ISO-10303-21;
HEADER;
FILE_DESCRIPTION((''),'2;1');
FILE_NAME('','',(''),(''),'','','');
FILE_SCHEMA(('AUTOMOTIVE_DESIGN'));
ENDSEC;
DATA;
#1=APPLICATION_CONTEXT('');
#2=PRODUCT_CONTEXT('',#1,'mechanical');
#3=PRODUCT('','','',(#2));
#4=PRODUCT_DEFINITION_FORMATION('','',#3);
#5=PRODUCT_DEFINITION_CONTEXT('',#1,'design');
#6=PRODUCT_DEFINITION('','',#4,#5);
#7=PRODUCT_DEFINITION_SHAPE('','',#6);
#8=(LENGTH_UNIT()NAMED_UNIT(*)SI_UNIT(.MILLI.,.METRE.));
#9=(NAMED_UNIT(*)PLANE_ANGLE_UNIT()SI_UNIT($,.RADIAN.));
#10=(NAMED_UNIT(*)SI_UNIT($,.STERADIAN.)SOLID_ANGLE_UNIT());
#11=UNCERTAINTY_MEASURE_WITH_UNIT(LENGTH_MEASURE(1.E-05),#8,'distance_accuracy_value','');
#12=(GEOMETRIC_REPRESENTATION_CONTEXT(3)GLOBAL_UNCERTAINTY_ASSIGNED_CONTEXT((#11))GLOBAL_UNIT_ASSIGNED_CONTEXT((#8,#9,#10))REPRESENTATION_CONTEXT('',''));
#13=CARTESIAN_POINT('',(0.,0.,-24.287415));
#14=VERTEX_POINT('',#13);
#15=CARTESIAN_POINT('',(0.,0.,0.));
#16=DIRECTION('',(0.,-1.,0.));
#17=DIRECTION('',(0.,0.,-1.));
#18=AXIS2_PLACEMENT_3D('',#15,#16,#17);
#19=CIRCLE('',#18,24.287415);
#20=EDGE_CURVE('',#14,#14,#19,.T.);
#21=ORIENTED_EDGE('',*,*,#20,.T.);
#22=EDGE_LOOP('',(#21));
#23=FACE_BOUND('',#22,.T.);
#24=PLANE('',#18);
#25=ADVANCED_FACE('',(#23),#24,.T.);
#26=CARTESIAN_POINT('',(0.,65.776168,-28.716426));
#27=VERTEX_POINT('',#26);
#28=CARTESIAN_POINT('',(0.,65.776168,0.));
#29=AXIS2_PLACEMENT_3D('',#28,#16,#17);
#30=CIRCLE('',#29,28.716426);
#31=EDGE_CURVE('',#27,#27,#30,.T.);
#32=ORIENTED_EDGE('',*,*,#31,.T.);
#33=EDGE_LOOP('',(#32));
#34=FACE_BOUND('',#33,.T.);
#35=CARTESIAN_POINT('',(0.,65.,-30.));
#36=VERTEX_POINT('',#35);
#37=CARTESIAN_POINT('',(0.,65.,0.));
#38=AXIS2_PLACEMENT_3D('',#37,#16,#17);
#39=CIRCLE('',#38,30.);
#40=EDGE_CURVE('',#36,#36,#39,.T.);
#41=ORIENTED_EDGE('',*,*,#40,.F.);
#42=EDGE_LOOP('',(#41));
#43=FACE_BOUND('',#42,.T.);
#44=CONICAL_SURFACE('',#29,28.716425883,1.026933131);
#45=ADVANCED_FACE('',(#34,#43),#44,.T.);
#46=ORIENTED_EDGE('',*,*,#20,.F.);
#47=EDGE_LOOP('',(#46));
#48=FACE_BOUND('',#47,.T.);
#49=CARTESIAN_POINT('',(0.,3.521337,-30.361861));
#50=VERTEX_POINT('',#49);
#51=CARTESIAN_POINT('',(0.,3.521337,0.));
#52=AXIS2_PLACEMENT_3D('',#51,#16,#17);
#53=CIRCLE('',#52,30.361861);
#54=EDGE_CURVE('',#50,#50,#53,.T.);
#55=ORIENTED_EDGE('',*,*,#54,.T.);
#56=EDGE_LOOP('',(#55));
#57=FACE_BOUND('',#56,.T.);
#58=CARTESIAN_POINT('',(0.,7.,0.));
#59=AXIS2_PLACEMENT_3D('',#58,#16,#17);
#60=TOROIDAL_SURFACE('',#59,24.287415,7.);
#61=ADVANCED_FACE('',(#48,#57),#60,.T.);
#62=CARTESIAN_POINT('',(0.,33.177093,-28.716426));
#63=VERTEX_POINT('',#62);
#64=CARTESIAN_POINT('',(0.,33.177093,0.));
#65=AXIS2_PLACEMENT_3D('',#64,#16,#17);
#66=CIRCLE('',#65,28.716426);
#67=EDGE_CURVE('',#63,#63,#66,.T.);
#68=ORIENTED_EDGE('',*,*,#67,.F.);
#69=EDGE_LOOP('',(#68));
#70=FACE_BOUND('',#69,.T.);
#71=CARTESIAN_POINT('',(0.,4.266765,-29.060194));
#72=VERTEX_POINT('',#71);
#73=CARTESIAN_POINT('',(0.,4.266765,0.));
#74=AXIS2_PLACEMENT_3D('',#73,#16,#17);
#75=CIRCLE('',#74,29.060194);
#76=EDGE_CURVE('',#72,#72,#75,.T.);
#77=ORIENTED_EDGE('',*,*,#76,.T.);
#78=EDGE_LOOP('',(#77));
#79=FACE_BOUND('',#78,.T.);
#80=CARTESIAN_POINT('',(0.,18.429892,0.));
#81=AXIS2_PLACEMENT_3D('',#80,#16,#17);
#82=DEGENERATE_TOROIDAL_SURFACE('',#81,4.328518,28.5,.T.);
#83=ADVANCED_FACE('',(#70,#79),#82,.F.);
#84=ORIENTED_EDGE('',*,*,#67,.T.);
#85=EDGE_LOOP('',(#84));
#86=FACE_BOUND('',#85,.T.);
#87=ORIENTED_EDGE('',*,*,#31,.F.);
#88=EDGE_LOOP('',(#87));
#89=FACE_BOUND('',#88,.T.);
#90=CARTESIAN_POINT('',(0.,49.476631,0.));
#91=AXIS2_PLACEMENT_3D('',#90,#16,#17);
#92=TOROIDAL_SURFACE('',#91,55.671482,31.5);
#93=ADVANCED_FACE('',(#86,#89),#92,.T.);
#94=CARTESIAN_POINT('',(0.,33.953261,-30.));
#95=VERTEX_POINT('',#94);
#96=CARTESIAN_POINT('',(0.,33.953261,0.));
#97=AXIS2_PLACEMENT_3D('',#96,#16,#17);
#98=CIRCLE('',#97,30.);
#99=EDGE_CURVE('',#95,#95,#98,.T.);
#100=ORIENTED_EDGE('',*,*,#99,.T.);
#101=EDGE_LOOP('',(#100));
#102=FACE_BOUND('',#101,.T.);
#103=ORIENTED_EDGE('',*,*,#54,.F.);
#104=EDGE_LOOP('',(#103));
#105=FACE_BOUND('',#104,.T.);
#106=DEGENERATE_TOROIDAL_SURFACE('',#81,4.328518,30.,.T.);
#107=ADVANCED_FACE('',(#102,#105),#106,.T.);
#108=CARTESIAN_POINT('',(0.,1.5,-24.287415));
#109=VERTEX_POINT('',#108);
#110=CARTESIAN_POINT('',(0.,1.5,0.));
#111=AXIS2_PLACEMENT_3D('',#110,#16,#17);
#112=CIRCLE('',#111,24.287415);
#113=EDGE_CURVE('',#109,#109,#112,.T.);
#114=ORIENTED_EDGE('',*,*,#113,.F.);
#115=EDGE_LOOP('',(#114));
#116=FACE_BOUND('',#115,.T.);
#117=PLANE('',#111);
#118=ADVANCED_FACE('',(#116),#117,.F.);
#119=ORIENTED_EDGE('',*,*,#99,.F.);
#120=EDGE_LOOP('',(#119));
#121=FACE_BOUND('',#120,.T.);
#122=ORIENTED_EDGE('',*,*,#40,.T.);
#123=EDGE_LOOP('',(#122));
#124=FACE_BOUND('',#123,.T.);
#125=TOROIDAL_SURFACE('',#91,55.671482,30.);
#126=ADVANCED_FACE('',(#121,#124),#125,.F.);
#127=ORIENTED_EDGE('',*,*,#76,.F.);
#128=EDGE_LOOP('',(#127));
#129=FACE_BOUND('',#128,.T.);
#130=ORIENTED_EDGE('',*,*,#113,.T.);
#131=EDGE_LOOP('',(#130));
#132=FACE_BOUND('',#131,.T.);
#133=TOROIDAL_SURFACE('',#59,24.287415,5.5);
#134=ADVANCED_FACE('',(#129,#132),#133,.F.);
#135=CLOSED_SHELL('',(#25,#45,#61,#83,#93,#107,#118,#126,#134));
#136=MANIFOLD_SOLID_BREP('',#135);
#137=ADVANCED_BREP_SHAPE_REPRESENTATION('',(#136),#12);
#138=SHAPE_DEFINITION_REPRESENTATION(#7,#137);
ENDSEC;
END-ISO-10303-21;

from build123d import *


with BuildPart() as part:
    # Sketch1 → Revolve-Thin1 (revolve)
    with BuildSketch(Plane.XY, mode=Mode.PRIVATE) as revolve_thin1_sk:
        with BuildLine():
            Line((0, 0), (24.287414571, 0))
            ThreePointArc((24.287414571, 0), (27.798066951, 0.943984819), (30.361861458, 3.521337181))
            ThreePointArc((30.361861458, 3.521337181), (34.326396995, 18.786592416), (30, 33.953261414))
            ThreePointArc((30, 33.953261414), (25.671482345, 49.476630707), (30, 65))
            Line((30, 65), (28.716425883, 65.776168465))
            ThreePointArc((28.716425883, 65.776168465), (24.171482345, 49.476630707), (28.716425883, 33.177092949))
            ThreePointArc((28.716425883, 33.177092949), (32.826503028, 18.768757402), (29.060194268, 4.266764928))
            ThreePointArc((29.060194268, 4.266764928), (27.045784298, 2.241702358), (24.287414571, 1.5))
            Line((24.287414571, 1.5), (0, 1.5))
            Line((0, 1.5), (0, 0))
        make_face()
    revolve(revolve_thin1_sk.sketch.rotate(Axis((0, 0, 0), (0, 1, 0)), 90), axis=Axis((0, 0, 0), (0, 1, 0)))


solid = part.part
